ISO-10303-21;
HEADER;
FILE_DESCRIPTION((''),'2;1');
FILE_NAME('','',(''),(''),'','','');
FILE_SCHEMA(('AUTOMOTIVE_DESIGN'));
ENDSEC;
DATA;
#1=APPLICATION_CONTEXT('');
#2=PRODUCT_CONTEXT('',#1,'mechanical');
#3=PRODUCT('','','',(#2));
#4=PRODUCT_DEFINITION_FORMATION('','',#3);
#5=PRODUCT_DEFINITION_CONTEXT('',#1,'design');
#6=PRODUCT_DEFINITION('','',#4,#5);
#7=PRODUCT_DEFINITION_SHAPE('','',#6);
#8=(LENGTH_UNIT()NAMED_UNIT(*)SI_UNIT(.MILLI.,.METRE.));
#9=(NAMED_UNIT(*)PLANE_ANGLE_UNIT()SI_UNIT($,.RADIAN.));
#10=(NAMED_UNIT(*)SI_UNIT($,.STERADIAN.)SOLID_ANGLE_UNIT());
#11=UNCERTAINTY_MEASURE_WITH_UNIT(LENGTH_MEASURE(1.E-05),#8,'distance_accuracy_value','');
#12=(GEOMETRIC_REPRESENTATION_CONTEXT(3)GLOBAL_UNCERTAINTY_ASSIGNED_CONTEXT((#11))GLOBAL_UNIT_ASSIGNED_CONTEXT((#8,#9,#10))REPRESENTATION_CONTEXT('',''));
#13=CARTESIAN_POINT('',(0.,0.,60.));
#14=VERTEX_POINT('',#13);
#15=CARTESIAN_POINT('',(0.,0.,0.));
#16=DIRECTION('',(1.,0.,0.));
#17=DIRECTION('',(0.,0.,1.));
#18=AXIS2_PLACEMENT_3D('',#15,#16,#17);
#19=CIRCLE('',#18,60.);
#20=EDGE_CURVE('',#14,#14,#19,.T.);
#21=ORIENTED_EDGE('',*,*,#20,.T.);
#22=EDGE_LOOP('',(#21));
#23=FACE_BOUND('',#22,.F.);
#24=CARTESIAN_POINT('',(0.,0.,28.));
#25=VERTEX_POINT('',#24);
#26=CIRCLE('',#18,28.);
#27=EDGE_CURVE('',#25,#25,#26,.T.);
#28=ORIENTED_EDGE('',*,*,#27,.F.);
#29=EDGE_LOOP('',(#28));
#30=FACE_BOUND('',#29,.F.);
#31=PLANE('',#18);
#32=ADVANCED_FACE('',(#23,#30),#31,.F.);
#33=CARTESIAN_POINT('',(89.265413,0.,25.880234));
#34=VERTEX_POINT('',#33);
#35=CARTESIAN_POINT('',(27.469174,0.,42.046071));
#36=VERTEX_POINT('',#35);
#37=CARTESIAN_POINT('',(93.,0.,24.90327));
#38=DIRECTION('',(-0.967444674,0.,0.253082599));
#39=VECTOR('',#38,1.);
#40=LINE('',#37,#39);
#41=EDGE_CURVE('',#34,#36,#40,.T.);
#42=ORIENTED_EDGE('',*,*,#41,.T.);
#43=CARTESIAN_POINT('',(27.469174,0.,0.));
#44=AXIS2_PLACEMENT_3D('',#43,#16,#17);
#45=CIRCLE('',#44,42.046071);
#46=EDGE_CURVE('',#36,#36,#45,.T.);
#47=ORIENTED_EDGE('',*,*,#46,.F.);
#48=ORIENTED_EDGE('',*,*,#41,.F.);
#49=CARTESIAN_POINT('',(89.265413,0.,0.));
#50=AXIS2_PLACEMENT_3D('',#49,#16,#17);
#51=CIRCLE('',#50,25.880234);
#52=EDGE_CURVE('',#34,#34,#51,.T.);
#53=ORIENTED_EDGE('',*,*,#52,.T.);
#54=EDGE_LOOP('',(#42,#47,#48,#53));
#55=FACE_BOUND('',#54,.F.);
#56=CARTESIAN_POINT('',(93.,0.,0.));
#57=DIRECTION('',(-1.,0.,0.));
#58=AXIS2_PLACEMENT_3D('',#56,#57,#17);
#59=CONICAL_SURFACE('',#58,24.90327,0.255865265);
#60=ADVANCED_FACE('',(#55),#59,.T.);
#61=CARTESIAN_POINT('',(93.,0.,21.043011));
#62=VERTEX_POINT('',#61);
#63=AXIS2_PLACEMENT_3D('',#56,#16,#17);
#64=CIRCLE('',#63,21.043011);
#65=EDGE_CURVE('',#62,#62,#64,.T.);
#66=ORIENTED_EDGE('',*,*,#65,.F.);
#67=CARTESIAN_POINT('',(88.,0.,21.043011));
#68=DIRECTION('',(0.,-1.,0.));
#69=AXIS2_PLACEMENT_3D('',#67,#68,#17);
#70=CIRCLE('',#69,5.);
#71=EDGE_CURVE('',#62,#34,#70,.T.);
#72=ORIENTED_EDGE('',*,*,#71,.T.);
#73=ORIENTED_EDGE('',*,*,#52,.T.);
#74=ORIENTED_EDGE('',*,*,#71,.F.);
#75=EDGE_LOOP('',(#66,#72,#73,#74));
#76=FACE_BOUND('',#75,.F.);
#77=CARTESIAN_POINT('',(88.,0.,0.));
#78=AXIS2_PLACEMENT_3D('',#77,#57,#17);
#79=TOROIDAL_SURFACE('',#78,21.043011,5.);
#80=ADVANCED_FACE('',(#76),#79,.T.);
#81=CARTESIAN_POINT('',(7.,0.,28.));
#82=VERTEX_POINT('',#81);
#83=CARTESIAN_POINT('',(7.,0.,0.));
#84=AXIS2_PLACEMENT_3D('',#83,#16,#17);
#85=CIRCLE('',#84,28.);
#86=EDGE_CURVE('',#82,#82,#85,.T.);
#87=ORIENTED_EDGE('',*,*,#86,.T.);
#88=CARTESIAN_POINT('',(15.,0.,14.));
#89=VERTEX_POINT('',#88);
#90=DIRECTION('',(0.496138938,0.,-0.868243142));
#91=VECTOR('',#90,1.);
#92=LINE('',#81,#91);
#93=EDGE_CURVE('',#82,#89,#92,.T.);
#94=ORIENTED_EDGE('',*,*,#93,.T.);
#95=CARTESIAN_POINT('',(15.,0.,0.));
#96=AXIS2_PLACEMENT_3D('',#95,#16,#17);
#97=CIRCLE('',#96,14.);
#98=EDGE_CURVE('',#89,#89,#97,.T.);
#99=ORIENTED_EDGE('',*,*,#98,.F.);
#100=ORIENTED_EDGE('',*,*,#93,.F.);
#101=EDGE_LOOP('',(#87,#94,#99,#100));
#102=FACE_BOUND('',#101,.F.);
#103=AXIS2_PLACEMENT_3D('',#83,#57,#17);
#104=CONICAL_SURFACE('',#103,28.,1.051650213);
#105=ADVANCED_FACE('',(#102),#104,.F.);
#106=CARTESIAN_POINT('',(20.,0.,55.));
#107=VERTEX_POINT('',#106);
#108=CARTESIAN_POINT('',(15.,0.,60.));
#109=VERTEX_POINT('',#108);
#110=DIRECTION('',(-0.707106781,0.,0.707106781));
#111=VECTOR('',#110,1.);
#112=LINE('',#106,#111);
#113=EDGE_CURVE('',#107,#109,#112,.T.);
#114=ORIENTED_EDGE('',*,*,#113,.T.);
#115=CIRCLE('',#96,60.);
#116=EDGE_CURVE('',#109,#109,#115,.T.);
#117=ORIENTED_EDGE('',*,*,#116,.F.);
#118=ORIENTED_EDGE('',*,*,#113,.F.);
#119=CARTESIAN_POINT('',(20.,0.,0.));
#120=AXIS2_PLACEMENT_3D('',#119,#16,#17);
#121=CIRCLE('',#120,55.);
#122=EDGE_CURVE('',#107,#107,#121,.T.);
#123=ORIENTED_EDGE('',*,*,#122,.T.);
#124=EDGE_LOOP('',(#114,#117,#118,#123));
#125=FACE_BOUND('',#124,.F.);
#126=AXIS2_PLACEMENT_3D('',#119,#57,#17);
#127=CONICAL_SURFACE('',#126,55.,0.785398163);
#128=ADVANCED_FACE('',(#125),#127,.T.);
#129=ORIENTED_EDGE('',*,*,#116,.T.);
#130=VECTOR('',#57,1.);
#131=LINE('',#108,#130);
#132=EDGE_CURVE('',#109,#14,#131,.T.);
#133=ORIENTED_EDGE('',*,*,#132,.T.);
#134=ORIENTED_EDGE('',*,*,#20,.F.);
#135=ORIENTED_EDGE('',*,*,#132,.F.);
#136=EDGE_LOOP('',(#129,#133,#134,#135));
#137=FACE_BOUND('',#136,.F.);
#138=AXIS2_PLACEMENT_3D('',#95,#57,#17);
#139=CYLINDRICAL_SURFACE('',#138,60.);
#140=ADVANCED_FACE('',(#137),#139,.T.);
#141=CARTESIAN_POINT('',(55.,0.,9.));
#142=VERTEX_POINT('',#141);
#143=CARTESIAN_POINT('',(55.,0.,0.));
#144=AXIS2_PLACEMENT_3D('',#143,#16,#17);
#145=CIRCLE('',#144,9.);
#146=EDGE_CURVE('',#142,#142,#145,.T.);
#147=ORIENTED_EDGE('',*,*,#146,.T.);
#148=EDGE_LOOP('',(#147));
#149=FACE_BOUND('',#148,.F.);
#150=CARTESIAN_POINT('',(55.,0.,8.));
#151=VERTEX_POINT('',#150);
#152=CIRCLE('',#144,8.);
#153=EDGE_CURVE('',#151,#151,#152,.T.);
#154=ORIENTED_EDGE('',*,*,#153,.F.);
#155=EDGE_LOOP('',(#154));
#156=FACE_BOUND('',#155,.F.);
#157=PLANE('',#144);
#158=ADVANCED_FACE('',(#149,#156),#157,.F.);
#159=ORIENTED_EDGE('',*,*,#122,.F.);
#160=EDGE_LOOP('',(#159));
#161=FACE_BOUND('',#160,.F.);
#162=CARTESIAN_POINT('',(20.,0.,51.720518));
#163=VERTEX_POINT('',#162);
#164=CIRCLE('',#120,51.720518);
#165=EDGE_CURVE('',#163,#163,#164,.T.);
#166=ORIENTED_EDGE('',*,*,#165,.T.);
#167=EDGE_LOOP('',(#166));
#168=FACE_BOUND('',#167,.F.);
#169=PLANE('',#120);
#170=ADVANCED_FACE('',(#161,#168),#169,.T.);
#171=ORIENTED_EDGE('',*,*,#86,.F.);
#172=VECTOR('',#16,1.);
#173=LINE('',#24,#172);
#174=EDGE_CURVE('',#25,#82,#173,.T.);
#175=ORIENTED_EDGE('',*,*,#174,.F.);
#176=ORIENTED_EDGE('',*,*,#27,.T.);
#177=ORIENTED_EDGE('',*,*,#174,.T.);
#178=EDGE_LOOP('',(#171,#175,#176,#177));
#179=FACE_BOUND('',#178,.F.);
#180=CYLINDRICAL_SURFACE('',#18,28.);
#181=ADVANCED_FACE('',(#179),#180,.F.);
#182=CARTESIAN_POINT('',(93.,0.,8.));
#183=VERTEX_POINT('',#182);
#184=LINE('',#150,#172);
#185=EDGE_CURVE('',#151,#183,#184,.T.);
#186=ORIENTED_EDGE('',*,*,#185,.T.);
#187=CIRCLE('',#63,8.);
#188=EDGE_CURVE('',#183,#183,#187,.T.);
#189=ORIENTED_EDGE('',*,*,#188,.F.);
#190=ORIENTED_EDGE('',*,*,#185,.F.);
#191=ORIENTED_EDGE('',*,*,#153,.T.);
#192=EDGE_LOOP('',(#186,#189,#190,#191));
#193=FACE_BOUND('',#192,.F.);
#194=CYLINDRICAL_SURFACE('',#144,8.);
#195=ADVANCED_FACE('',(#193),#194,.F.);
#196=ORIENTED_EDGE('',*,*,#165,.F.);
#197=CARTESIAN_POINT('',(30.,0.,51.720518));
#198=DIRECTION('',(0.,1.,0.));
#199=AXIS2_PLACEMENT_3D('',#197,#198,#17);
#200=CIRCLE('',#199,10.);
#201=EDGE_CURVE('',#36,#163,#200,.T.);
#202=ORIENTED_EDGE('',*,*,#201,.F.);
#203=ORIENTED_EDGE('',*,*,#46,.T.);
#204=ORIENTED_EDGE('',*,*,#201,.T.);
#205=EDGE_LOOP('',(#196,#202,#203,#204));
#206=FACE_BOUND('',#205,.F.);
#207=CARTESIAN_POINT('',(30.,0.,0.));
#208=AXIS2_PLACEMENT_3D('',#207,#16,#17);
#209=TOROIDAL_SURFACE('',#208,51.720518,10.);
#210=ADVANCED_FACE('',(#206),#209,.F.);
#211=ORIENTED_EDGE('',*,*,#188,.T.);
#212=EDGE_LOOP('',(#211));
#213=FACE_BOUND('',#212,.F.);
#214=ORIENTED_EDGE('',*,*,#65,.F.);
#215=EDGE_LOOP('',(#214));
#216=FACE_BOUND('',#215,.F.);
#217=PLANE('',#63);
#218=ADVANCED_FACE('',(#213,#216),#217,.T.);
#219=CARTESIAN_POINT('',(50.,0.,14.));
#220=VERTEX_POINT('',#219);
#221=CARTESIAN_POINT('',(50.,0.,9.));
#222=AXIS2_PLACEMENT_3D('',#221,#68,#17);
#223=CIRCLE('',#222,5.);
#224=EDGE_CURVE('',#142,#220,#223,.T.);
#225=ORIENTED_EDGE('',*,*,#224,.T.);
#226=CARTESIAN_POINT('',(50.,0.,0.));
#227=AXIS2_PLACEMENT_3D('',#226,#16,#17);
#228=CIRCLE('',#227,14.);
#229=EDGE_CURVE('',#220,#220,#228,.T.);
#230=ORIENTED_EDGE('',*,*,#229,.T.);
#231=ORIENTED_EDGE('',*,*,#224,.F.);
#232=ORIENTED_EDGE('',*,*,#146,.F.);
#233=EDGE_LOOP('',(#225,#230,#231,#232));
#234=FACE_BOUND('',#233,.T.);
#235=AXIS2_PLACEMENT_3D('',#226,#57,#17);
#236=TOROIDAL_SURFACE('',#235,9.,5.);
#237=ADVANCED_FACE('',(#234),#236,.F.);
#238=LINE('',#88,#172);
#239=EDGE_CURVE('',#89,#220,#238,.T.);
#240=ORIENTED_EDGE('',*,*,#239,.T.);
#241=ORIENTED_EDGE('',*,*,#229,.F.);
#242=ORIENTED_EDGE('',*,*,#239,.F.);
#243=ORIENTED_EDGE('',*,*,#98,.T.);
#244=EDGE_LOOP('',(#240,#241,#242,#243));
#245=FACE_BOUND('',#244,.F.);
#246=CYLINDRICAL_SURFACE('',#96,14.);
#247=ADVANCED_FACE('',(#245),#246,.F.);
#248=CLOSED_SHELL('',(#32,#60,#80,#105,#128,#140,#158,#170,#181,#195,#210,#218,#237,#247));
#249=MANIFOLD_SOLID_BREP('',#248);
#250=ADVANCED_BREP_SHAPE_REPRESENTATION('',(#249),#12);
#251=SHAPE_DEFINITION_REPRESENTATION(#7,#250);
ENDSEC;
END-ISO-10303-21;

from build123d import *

# Parameters (mm, degrees)
F2_R = 5
F3_R = 10
F4_R = 5


with BuildPart() as f1:
    # F0 (on Front) → F1 (revolve)
    with BuildSketch(Plane.XZ):
        Polygon((55, 8), (93, 8), (93, 24.90327), (20, 44), (20, 55), (15, 60), (0, 60), (0, 28), (7, 28), (15, 14), (55, 14), align=None)
    revolve(axis=Axis((54.39201, 0, 0), (1, 0, 0)))

    # F2
    f2_edges = [f1.edges().sort_by_distance(p)[0] for p in [
        (93, 0, -24.90327),
    ]]
    fillet(f2_edges, radius=F2_R)

    # F3
    f3_edges = [f1.edges().sort_by_distance(p)[0] for p in [
        (20, 0, -44),
    ]]
    fillet(f3_edges, radius=F3_R)

    # F4
    f4_edges = [f1.edges().sort_by_distance(p)[0] for p in [
        (55, 0, -14),
    ]]
    fillet(f4_edges, radius=F4_R)


solid = f1.part
